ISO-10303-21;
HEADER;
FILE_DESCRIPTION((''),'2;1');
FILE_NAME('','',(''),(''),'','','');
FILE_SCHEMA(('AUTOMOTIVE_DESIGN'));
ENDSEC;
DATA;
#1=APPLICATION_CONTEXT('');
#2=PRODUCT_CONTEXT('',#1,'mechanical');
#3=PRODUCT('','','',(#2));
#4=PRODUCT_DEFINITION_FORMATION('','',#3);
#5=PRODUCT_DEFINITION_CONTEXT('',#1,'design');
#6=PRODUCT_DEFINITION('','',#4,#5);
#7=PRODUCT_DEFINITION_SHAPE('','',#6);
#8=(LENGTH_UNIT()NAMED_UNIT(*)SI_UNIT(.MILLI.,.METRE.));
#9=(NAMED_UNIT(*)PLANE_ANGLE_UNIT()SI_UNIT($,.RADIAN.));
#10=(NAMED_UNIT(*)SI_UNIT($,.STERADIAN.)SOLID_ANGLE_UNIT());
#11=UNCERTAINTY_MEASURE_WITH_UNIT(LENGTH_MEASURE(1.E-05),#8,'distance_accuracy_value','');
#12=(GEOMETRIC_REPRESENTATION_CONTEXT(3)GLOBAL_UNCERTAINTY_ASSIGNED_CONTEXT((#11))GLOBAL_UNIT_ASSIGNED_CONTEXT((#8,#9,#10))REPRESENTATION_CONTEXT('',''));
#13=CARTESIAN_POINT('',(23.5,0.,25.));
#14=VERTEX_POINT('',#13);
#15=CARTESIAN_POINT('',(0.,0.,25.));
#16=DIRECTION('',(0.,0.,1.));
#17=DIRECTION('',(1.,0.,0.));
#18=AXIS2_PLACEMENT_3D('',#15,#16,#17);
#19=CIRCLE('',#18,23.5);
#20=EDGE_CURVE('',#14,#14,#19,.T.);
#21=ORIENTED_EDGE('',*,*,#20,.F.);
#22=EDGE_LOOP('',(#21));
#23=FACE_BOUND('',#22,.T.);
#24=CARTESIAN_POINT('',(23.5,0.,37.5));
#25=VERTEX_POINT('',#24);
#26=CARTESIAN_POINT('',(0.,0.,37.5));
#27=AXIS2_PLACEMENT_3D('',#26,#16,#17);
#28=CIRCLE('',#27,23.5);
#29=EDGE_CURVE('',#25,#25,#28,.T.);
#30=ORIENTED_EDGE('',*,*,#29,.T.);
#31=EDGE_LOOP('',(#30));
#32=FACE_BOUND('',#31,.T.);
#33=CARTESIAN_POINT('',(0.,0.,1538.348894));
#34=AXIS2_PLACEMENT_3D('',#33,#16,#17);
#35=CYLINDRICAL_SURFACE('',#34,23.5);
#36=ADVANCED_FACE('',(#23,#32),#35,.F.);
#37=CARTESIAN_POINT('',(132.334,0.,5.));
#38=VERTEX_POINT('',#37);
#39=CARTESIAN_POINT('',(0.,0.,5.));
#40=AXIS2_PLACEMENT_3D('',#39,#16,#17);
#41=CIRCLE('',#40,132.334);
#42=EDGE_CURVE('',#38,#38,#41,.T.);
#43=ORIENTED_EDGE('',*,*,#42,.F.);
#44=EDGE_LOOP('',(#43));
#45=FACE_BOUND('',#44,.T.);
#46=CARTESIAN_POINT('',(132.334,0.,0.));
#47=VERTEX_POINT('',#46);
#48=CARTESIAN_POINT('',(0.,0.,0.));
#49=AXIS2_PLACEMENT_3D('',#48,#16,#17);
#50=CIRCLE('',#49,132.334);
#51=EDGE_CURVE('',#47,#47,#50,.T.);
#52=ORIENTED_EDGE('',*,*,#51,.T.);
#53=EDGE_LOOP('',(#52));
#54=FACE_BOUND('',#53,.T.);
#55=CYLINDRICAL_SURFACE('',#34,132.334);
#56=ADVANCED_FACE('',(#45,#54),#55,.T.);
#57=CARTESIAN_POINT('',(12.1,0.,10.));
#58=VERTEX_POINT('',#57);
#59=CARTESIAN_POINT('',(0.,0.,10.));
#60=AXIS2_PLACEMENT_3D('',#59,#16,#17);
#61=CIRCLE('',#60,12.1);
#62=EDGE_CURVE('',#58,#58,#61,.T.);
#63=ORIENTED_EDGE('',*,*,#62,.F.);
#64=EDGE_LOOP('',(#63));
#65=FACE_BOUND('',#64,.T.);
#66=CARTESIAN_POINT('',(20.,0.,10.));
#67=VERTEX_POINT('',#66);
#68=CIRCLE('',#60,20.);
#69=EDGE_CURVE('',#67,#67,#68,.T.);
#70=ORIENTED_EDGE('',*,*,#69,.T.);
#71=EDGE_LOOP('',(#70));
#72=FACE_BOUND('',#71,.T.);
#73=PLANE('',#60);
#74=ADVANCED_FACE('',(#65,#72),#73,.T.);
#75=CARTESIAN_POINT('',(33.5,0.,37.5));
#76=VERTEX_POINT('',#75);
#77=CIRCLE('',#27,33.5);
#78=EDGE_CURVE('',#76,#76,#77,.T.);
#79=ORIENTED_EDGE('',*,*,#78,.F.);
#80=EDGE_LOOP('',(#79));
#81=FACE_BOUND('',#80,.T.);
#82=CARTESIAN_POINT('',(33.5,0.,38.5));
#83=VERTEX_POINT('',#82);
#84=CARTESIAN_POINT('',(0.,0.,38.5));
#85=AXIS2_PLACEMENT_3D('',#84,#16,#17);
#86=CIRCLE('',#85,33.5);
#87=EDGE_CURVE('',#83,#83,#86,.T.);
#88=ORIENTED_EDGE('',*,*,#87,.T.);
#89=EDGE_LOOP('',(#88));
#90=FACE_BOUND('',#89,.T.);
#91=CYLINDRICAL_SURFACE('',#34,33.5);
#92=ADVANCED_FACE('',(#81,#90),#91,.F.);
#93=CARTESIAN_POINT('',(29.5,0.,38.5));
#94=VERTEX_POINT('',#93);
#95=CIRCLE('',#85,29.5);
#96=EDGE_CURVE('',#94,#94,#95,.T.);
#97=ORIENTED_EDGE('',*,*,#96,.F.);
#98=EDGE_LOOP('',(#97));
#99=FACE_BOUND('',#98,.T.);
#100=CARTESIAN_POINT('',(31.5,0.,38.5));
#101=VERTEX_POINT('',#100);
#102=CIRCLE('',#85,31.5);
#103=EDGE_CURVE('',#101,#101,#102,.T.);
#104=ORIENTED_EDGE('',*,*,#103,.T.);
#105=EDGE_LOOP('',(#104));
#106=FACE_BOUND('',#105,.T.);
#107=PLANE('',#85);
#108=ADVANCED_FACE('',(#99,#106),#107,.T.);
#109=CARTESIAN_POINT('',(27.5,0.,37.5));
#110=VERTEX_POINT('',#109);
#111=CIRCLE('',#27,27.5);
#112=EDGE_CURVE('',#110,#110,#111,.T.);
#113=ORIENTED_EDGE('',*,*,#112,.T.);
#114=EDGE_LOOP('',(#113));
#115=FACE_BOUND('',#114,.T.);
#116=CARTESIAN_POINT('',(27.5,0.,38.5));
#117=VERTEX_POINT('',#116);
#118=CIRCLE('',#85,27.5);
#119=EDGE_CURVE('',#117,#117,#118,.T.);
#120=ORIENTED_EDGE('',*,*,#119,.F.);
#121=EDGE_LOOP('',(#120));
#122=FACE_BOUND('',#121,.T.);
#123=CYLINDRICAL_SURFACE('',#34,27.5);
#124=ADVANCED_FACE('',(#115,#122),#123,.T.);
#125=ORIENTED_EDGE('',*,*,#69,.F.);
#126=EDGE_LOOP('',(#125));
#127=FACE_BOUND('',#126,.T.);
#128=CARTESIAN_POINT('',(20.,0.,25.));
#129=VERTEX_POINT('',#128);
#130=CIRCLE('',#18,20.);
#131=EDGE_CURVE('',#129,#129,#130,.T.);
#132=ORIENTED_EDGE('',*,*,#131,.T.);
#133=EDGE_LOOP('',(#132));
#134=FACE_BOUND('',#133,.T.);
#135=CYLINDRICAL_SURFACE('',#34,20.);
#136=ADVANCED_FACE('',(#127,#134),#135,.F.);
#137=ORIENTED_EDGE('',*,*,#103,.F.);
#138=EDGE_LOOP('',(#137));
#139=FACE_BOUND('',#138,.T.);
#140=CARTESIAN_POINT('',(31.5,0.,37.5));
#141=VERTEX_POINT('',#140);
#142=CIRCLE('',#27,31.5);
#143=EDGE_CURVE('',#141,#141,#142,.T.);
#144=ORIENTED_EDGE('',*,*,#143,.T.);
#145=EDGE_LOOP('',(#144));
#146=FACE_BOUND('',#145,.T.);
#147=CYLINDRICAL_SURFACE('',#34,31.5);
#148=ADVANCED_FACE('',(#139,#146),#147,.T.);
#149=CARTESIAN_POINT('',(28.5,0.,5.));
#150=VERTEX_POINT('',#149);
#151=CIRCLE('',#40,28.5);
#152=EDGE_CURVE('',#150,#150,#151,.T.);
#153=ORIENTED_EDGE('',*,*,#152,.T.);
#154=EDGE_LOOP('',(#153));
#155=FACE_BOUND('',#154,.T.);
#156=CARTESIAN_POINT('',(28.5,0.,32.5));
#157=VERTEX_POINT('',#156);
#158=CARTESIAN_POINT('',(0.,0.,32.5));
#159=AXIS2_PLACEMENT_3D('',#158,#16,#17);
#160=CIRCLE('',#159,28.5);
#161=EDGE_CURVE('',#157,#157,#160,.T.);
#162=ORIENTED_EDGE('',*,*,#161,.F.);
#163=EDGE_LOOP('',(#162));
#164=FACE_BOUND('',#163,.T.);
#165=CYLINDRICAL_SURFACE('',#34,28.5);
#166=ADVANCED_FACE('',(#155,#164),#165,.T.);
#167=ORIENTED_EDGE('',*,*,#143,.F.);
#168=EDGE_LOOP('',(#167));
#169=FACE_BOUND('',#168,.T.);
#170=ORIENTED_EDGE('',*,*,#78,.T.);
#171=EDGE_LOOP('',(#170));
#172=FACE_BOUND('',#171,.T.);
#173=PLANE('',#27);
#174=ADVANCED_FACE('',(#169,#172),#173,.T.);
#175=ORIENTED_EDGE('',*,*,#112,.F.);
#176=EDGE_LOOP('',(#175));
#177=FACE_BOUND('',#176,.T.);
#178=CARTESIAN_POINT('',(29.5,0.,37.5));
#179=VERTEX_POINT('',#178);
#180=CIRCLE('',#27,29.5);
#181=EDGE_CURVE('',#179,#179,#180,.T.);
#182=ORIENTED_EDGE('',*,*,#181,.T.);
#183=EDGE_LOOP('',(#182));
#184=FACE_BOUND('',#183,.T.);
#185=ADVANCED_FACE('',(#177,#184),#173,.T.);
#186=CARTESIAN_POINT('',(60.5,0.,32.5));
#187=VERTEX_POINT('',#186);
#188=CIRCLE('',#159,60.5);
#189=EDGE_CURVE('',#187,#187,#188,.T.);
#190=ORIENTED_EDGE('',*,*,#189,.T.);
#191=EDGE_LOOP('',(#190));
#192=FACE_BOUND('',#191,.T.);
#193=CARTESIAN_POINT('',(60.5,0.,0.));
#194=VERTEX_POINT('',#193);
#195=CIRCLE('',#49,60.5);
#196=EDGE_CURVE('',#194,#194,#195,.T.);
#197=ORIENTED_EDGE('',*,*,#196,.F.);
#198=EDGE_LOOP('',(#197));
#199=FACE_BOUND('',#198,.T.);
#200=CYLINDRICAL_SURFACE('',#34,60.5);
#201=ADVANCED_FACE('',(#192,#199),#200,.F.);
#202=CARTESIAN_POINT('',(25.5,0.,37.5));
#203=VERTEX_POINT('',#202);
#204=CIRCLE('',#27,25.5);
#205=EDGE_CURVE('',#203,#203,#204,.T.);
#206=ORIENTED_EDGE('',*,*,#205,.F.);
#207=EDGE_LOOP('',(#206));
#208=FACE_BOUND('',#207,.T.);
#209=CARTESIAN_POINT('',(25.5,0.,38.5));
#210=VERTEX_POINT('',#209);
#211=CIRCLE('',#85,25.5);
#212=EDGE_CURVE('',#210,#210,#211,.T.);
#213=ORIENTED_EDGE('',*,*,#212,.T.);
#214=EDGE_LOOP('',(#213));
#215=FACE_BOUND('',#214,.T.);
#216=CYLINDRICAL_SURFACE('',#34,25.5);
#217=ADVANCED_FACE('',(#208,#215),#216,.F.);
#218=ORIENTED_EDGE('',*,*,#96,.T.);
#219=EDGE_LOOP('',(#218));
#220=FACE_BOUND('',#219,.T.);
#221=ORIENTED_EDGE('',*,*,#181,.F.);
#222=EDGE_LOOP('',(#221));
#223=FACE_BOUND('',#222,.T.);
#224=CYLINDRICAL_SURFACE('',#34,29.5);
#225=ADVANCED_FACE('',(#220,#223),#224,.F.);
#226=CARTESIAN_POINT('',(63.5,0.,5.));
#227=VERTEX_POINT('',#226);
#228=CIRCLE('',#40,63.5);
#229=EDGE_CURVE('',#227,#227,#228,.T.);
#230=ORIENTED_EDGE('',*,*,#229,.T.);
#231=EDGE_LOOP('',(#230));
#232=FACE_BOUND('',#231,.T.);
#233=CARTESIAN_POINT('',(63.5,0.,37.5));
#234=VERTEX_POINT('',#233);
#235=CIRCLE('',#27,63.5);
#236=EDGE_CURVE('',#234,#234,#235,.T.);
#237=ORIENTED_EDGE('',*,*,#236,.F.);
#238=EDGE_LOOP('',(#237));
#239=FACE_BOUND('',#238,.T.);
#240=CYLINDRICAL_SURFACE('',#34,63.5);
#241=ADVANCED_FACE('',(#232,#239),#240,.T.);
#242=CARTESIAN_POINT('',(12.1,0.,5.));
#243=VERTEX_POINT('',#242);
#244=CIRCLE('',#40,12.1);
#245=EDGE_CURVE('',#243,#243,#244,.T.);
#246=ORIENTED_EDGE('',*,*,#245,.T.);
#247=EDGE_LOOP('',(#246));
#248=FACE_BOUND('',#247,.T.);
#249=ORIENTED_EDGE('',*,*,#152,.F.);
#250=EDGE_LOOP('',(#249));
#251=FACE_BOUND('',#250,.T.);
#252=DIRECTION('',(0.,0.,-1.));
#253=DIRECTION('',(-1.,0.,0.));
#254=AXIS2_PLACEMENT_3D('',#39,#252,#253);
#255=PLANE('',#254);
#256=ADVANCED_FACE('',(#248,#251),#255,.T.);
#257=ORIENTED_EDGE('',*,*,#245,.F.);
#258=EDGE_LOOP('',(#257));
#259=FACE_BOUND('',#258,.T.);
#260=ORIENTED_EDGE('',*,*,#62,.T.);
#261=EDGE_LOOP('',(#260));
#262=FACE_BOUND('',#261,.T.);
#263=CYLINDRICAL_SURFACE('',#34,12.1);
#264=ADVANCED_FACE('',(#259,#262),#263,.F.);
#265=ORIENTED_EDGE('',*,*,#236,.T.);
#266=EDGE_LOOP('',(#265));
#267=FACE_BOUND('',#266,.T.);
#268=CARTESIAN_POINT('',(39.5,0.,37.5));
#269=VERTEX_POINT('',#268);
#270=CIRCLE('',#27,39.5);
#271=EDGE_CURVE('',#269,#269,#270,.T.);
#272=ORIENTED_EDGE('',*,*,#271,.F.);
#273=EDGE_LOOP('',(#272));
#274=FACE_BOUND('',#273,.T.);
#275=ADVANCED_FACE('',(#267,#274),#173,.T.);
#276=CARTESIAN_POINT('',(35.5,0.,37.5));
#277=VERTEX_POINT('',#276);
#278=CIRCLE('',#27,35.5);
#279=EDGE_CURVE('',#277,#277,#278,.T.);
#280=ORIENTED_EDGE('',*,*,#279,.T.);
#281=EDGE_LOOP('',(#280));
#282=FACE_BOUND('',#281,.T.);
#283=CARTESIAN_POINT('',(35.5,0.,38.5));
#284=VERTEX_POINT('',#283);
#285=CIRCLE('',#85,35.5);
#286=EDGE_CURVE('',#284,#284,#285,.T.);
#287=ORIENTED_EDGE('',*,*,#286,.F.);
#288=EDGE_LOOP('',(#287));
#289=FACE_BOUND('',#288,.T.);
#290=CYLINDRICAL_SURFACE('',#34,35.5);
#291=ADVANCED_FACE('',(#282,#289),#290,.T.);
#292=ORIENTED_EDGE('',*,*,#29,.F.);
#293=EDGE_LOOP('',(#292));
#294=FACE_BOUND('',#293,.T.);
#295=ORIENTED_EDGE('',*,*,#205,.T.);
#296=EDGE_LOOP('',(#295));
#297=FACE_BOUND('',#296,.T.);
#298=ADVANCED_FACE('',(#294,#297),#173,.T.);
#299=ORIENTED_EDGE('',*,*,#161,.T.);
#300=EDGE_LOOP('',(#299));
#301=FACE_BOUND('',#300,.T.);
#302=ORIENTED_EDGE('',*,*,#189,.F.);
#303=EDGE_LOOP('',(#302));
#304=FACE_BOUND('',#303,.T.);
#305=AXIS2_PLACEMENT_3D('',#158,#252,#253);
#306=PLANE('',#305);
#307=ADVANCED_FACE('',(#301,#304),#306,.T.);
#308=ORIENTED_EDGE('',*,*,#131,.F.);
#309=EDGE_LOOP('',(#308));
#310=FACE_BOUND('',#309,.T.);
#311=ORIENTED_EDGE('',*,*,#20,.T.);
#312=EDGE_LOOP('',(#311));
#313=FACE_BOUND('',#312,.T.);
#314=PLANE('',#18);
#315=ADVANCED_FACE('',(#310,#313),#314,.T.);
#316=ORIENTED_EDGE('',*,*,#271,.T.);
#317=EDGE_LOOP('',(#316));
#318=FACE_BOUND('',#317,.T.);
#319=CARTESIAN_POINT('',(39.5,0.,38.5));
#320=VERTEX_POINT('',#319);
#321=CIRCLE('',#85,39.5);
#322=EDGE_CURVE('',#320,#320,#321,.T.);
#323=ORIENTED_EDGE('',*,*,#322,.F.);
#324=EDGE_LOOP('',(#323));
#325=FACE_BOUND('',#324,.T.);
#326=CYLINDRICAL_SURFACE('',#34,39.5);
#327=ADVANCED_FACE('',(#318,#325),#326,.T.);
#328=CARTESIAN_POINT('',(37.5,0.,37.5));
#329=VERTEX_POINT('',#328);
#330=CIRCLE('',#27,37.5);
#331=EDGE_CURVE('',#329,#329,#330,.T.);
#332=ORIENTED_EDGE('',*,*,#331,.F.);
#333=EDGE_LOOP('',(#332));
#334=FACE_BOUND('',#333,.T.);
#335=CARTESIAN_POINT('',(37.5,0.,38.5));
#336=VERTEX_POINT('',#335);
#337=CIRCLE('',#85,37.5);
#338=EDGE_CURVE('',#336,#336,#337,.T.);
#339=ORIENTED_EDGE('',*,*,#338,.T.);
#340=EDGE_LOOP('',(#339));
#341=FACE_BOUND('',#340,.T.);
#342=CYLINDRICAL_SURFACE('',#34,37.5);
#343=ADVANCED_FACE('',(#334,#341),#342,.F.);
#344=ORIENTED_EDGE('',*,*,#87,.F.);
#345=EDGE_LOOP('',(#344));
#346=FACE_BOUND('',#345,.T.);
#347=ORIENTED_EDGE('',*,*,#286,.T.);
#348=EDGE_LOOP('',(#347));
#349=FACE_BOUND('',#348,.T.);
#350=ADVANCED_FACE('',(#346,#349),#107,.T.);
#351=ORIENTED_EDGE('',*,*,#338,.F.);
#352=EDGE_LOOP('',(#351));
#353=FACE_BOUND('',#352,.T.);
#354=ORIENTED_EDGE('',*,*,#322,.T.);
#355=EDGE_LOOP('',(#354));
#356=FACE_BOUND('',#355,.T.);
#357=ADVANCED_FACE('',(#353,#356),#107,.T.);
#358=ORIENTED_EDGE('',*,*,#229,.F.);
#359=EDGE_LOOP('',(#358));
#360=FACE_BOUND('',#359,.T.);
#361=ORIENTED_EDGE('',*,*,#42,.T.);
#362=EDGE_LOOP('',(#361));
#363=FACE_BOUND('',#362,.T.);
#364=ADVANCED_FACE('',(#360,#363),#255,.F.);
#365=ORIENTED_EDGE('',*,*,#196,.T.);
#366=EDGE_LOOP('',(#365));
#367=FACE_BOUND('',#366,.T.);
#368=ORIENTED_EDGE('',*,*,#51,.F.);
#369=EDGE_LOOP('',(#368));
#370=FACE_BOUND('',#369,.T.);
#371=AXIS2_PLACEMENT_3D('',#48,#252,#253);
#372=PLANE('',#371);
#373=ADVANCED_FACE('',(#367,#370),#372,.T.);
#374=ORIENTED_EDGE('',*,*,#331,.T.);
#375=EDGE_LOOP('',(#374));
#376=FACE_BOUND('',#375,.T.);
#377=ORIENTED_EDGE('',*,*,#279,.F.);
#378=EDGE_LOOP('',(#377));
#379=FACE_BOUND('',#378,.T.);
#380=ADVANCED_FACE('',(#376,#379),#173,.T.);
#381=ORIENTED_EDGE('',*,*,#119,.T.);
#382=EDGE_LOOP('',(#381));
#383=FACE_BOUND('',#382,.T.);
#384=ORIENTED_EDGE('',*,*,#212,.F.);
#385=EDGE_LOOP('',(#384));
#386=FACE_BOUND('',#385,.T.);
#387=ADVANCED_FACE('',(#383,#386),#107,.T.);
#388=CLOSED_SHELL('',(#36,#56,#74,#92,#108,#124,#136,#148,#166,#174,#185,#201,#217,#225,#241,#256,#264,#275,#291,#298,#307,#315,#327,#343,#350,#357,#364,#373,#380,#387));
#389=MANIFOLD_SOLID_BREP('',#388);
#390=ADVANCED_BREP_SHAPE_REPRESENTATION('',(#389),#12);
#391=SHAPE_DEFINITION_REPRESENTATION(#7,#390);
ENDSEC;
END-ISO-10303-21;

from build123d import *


with BuildPart() as part:
    # Sketch1 → Revolve1 (revolve)
    with BuildSketch(Plane.YZ, mode=Mode.PRIVATE) as revolve1_sk:
        Polygon((-28.5, 32.5), (-28.5, 5), (-12.1, 5), (-12.1, 10), (-20, 10), (-20, 25), (-23.5, 25), (-23.5, 37.5), (-25.5, 37.5), (-25.5, 38.5), (-27.5, 38.5), (-27.5, 37.5), (-29.5, 37.5), (-29.5, 38.5), (-31.5, 38.5), (-31.5, 37.5), (-33.5, 37.5), (-33.5, 38.5), (-35.5, 38.5), (-35.5, 37.5), (-37.5, 37.5), (-37.5, 38.5), (-39.5, 38.5), (-39.5, 37.5), (-63.5, 37.5), (-63.5, 5), (-132.334, 5), (-132.334, 0), (-60.5, 0), (-60.5, 32.5), align=None)
    revolve(revolve1_sk.sketch.rotate(Axis((0, 0, 1538.348894466), (0, 0, -1)), 270), axis=Axis((0, 0, 1538.348894466), (0, 0, -1)))


solid = part.part
